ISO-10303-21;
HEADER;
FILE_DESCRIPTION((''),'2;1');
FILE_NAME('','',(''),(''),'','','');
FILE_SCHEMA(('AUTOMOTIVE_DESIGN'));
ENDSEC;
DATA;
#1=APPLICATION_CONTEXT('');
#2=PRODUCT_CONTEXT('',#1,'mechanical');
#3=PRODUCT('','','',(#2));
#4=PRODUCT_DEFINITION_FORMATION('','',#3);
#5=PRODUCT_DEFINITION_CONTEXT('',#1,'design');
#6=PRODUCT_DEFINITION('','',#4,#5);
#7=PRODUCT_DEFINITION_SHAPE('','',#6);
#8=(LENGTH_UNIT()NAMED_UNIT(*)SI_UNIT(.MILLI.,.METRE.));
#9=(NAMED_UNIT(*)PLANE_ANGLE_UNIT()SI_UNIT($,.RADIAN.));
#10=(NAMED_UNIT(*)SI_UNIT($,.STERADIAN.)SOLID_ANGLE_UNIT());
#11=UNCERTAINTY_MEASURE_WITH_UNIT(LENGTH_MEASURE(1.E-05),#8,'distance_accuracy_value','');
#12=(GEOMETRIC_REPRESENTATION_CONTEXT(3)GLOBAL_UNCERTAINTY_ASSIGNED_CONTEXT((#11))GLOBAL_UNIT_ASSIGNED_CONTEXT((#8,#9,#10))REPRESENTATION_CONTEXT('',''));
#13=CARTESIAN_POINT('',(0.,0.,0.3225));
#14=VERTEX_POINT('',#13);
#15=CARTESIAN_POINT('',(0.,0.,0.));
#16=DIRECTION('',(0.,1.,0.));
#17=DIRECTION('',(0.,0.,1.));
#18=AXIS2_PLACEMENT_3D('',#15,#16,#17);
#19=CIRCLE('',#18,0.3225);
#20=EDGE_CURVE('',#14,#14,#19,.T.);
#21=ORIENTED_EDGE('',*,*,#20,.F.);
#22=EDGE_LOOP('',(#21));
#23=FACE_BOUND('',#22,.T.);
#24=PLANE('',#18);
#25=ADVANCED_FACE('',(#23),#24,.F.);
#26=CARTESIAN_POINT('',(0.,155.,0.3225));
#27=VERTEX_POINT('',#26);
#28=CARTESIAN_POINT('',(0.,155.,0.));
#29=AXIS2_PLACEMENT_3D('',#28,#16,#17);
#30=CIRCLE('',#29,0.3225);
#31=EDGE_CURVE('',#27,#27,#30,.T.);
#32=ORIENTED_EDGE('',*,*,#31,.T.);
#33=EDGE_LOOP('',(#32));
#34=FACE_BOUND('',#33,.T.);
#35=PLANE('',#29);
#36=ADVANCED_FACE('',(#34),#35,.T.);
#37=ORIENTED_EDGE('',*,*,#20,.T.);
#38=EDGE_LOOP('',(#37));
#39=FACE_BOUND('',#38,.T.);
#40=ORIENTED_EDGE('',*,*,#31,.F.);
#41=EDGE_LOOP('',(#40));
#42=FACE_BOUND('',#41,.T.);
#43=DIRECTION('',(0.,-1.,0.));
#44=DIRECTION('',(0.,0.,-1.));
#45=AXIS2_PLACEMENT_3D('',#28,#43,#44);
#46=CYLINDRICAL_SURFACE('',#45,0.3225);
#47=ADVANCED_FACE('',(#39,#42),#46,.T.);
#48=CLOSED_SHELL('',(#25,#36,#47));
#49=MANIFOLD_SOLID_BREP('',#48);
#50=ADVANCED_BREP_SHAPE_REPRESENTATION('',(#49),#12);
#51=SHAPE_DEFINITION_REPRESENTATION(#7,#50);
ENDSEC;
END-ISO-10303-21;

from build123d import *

# Parameters (mm, degrees)
SKETCH1_R           = 0.3225
BOSS_EXTRUDE1_DEPTH = 155


with BuildPart() as part:
    # Sketch1 → Boss-Extrude1 (new body)
    with BuildSketch(Plane(origin=(0, 0, 0), x_dir=(1, 0, 0), z_dir=(0, 1, 0))):
        Circle(SKETCH1_R)
    extrude(amount=BOSS_EXTRUDE1_DEPTH)


solid = part.part
